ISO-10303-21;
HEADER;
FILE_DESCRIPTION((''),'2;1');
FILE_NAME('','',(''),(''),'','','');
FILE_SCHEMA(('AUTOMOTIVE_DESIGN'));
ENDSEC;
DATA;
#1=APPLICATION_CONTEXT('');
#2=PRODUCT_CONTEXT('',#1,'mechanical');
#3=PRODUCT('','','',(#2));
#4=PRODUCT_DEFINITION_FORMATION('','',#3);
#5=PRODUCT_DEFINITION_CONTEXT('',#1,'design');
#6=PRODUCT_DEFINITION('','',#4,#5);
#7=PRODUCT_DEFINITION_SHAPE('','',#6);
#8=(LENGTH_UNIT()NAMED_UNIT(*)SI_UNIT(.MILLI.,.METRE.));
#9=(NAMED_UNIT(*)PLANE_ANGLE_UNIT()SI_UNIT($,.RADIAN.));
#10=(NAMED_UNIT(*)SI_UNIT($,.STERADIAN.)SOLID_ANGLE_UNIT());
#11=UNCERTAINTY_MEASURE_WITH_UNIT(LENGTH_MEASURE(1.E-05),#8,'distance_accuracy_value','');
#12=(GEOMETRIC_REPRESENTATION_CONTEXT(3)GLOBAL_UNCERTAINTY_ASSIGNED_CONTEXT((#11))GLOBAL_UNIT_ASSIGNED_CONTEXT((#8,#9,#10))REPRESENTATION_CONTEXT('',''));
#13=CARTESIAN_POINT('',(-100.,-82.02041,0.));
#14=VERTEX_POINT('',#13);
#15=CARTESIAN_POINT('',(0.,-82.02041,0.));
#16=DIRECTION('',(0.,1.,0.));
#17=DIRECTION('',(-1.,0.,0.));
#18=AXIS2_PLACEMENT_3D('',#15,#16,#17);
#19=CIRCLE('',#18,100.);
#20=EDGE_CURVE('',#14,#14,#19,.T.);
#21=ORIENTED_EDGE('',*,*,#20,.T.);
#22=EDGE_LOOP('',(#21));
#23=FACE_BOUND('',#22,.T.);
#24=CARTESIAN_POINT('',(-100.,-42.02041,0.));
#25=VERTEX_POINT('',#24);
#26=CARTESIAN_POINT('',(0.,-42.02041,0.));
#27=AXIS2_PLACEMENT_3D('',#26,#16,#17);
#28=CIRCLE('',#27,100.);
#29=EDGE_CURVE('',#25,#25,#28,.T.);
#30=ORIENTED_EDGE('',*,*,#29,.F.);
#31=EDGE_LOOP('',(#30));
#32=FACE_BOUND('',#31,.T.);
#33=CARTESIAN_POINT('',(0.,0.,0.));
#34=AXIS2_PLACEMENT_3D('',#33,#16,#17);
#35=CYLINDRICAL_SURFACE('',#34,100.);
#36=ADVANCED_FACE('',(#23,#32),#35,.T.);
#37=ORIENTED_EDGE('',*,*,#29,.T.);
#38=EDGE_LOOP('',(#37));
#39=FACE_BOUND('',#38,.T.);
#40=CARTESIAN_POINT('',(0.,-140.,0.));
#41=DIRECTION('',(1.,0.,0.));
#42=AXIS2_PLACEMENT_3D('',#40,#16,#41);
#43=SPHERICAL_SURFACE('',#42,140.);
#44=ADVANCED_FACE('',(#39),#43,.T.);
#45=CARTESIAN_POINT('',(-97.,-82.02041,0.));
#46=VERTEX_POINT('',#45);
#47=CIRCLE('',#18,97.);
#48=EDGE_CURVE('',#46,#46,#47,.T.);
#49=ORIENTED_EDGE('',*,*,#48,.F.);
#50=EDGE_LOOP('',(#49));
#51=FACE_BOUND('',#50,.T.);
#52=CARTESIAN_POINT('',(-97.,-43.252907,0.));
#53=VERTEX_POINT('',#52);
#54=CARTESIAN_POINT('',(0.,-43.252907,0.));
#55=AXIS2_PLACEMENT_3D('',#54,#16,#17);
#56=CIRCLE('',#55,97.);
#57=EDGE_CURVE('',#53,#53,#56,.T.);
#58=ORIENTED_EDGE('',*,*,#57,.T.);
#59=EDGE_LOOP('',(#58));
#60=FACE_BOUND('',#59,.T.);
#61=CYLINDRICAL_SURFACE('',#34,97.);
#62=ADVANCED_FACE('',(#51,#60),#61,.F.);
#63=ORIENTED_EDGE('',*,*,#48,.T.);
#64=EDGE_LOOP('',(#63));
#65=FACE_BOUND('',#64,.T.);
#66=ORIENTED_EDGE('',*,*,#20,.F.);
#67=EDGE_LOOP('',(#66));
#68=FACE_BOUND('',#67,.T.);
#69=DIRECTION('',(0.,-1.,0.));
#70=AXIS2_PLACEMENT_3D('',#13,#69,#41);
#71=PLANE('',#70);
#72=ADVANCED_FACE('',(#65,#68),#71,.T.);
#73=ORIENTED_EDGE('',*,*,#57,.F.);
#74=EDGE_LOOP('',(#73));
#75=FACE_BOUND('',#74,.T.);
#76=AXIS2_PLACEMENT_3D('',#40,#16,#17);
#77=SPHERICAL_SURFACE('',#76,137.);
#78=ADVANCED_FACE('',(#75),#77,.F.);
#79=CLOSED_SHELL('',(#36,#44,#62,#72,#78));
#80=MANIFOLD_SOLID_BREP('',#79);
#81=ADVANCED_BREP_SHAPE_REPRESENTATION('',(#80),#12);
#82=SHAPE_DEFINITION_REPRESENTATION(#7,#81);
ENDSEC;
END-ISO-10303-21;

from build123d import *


with BuildPart() as part:
    # Sketch1 → Revolve1 (revolve)
    with BuildSketch(Plane.XY):
        with BuildLine():
            Line((-100, -42.020410289), (-100, -82.020410289))
            Line((-100, -82.020410289), (-97, -82.020410289))
            Line((-97, -82.020410289), (-97, -43.25290702))
            ThreePointArc((-97, -43.25290702), (-52.510228822, -13.462749085), (0, -3))
            Line((0, -3), (0, 0))
            ThreePointArc((0, 0), (-54.234940031, -10.931912233), (-100, -42.020410289))
        make_face()
    revolve(axis=Axis((0, 0, 0), (0, -1, 0)))


solid = part.part
